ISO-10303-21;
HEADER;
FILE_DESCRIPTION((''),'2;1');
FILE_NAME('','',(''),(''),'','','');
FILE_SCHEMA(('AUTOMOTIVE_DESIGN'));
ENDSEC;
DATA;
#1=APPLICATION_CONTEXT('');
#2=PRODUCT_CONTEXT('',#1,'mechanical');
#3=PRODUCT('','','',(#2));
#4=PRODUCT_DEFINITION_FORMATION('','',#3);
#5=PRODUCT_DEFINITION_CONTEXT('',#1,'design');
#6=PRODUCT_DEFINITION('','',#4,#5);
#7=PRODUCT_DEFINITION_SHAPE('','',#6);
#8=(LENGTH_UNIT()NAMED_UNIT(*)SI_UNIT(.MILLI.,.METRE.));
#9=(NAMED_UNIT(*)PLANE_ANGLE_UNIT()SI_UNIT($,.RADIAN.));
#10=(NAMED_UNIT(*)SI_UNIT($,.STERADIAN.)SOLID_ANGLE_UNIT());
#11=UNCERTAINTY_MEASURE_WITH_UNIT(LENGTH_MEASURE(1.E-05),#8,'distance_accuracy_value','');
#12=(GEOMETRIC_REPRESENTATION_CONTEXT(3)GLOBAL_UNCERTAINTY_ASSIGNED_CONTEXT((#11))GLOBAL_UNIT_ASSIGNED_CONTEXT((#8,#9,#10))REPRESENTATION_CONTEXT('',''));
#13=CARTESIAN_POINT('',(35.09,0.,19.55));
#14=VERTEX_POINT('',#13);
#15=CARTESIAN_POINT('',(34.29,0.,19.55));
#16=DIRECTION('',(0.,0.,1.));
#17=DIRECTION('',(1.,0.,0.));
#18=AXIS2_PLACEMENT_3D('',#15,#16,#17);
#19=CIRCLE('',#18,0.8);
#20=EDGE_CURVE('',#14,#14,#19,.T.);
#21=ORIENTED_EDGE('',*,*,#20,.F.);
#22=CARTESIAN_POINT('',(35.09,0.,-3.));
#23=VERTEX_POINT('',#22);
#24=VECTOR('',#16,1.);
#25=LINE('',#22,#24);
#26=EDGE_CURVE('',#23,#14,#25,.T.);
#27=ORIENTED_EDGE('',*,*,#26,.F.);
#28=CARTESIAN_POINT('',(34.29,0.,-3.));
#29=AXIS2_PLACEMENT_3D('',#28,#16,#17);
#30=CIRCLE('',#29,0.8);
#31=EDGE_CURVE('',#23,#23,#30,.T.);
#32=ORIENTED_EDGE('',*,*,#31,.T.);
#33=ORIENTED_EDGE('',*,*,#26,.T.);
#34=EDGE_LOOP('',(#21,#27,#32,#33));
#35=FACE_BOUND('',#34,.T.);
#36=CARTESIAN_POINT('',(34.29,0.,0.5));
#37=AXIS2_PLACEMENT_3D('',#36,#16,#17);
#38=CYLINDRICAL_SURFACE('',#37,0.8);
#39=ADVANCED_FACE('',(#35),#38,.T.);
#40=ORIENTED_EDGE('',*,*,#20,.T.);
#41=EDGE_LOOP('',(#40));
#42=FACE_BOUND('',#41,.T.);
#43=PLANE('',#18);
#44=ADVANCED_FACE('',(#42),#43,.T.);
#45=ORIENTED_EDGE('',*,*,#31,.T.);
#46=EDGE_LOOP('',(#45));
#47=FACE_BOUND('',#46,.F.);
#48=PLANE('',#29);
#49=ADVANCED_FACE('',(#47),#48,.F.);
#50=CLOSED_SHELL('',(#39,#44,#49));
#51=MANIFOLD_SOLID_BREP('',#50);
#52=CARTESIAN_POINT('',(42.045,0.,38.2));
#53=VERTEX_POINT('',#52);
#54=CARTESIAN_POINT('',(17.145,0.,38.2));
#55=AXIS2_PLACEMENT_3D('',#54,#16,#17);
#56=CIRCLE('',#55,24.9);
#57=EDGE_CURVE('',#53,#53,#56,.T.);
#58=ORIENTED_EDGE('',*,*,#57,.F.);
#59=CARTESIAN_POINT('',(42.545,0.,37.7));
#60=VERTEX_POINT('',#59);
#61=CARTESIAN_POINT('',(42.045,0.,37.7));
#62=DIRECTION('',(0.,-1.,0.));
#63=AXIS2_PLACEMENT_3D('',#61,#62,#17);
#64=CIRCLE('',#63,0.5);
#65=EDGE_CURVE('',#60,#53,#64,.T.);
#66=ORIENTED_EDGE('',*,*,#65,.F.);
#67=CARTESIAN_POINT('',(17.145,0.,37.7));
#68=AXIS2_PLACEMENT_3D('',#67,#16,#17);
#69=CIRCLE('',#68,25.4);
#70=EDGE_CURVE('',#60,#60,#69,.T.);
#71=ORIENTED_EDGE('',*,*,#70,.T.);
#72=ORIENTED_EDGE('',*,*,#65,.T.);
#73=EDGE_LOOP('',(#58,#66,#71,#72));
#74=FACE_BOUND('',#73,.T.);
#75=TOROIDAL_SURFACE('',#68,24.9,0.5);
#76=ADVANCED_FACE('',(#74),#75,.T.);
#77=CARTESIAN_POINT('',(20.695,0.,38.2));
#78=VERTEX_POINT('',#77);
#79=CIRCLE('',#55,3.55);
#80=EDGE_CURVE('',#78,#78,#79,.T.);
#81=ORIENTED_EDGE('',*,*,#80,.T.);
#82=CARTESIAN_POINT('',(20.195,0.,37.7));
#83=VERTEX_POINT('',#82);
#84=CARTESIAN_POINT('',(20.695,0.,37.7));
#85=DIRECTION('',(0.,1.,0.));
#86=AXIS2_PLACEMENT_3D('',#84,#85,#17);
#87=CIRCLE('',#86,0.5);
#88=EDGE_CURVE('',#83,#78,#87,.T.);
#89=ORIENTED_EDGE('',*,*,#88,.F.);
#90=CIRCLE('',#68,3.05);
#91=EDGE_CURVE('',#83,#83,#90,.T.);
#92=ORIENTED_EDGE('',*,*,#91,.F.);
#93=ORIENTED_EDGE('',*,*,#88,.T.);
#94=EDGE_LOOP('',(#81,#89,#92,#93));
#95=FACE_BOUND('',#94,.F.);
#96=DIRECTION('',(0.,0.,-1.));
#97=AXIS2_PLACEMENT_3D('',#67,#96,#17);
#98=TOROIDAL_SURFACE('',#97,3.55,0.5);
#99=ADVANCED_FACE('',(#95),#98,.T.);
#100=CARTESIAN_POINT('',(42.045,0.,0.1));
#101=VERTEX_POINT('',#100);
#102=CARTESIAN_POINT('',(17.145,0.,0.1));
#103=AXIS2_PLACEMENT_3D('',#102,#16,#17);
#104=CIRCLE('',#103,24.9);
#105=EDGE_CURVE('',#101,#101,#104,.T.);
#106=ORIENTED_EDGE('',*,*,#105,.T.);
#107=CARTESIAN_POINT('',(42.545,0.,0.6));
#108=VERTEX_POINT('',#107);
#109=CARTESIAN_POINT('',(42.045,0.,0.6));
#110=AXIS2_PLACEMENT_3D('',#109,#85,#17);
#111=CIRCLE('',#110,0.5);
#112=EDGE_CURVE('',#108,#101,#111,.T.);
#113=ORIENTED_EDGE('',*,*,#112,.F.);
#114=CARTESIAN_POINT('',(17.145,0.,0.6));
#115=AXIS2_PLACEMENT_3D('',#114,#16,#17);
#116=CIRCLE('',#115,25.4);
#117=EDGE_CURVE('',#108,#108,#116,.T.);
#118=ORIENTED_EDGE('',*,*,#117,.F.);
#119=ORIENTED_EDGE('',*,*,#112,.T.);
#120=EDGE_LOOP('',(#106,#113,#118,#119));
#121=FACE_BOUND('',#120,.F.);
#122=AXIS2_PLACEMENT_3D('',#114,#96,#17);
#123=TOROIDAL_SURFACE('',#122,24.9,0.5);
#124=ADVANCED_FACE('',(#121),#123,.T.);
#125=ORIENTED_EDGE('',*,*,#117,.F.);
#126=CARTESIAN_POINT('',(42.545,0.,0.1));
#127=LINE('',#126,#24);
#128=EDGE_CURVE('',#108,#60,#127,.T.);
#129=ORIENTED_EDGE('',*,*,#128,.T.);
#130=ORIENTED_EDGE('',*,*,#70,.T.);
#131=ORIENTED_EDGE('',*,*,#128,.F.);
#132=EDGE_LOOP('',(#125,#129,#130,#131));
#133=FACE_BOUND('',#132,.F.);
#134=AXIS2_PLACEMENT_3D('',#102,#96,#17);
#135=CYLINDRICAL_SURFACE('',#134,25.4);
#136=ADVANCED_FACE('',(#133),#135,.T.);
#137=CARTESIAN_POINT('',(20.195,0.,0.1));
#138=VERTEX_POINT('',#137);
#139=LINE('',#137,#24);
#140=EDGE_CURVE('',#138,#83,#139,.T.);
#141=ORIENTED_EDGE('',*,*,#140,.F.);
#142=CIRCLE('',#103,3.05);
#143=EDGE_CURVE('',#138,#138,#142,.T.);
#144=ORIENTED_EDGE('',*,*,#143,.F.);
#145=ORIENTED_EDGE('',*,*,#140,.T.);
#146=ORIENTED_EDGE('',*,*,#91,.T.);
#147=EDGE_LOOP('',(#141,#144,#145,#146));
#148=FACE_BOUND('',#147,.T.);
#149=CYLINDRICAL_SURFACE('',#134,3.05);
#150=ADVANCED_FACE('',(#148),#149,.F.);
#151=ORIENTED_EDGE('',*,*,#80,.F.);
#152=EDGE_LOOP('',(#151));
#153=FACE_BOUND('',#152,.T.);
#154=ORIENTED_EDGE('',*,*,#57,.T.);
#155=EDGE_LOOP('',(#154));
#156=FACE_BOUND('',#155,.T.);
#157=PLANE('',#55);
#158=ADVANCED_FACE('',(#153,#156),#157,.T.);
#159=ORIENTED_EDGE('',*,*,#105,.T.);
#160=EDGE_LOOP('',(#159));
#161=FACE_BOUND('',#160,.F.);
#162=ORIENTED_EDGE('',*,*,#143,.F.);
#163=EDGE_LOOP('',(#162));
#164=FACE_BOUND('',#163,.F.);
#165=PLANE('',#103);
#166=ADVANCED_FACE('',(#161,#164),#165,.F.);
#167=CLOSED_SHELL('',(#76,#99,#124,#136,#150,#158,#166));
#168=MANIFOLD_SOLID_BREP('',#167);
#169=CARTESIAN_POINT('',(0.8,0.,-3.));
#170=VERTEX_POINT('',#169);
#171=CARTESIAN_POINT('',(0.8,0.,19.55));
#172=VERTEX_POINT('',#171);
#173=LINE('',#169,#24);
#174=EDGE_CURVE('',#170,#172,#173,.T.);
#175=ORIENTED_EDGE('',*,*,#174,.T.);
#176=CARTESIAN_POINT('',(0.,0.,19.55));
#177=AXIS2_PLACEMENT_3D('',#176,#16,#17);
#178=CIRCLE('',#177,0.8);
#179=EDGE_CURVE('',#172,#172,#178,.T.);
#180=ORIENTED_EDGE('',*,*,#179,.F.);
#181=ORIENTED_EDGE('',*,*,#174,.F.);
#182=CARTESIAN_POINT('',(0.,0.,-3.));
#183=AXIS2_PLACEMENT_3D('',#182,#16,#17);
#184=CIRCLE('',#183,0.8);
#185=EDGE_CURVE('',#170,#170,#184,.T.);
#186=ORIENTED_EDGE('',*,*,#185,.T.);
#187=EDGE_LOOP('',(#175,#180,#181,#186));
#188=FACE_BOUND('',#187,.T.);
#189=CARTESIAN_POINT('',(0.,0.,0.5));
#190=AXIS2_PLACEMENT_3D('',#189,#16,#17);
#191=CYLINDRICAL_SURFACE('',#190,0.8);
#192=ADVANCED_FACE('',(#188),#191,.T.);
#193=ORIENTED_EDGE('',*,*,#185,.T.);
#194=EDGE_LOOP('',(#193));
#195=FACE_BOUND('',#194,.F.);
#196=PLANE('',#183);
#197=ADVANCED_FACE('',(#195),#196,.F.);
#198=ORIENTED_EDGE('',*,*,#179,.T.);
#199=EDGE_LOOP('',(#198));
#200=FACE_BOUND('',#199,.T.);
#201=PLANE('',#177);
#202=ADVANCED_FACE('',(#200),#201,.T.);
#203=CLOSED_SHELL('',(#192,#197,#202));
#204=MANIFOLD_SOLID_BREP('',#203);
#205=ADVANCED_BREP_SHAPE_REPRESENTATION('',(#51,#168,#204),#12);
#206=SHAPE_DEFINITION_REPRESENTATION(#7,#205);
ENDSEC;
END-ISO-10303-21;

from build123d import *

# Parameters (mm, degrees)
SKETCH001_R       = 0.8
PAD001_DEPTH      = 19.05
PAD001_DEPTH_BACK = 3.5
SKETCH_R          = 25.4
SKETCH_R_2        = 3.05
PAD_DEPTH         = 38.1
FILLET_R          = 0.5


with BuildPart() as pad001:
    # Sketch001 → Pad001 (new body, two sides)
    with BuildSketch(Plane.XY.offset(0.5)) as pad001_sk:
        Circle(SKETCH001_R)
        with Locations((34.29, 0)):
            Circle(SKETCH001_R)
    extrude(amount=PAD001_DEPTH)
    extrude(pad001_sk.sketch, amount=-PAD001_DEPTH_BACK)


with BuildPart() as fillet_body:
    # Sketch → Pad (new body)
    with BuildSketch(Plane.XY.offset(0.1)):
        with Locations((17.145, 0)):
            Circle(SKETCH_R)
        with Locations((17.145, 0)):
            Circle(SKETCH_R_2, mode=Mode.SUBTRACT)
    extrude(amount=PAD_DEPTH)

    # Fillet
    fillet_edges = [fillet_body.edges().sort_by_distance(p)[0] for p in [
        (14.095, 0, 38.2),
        (-8.255, 0, 38.2),
        (-8.255, 0, 0.1),
    ]]
    fillet(fillet_edges, radius=FILLET_R)


solid = Compound([pad001.part, fillet_body.part])
